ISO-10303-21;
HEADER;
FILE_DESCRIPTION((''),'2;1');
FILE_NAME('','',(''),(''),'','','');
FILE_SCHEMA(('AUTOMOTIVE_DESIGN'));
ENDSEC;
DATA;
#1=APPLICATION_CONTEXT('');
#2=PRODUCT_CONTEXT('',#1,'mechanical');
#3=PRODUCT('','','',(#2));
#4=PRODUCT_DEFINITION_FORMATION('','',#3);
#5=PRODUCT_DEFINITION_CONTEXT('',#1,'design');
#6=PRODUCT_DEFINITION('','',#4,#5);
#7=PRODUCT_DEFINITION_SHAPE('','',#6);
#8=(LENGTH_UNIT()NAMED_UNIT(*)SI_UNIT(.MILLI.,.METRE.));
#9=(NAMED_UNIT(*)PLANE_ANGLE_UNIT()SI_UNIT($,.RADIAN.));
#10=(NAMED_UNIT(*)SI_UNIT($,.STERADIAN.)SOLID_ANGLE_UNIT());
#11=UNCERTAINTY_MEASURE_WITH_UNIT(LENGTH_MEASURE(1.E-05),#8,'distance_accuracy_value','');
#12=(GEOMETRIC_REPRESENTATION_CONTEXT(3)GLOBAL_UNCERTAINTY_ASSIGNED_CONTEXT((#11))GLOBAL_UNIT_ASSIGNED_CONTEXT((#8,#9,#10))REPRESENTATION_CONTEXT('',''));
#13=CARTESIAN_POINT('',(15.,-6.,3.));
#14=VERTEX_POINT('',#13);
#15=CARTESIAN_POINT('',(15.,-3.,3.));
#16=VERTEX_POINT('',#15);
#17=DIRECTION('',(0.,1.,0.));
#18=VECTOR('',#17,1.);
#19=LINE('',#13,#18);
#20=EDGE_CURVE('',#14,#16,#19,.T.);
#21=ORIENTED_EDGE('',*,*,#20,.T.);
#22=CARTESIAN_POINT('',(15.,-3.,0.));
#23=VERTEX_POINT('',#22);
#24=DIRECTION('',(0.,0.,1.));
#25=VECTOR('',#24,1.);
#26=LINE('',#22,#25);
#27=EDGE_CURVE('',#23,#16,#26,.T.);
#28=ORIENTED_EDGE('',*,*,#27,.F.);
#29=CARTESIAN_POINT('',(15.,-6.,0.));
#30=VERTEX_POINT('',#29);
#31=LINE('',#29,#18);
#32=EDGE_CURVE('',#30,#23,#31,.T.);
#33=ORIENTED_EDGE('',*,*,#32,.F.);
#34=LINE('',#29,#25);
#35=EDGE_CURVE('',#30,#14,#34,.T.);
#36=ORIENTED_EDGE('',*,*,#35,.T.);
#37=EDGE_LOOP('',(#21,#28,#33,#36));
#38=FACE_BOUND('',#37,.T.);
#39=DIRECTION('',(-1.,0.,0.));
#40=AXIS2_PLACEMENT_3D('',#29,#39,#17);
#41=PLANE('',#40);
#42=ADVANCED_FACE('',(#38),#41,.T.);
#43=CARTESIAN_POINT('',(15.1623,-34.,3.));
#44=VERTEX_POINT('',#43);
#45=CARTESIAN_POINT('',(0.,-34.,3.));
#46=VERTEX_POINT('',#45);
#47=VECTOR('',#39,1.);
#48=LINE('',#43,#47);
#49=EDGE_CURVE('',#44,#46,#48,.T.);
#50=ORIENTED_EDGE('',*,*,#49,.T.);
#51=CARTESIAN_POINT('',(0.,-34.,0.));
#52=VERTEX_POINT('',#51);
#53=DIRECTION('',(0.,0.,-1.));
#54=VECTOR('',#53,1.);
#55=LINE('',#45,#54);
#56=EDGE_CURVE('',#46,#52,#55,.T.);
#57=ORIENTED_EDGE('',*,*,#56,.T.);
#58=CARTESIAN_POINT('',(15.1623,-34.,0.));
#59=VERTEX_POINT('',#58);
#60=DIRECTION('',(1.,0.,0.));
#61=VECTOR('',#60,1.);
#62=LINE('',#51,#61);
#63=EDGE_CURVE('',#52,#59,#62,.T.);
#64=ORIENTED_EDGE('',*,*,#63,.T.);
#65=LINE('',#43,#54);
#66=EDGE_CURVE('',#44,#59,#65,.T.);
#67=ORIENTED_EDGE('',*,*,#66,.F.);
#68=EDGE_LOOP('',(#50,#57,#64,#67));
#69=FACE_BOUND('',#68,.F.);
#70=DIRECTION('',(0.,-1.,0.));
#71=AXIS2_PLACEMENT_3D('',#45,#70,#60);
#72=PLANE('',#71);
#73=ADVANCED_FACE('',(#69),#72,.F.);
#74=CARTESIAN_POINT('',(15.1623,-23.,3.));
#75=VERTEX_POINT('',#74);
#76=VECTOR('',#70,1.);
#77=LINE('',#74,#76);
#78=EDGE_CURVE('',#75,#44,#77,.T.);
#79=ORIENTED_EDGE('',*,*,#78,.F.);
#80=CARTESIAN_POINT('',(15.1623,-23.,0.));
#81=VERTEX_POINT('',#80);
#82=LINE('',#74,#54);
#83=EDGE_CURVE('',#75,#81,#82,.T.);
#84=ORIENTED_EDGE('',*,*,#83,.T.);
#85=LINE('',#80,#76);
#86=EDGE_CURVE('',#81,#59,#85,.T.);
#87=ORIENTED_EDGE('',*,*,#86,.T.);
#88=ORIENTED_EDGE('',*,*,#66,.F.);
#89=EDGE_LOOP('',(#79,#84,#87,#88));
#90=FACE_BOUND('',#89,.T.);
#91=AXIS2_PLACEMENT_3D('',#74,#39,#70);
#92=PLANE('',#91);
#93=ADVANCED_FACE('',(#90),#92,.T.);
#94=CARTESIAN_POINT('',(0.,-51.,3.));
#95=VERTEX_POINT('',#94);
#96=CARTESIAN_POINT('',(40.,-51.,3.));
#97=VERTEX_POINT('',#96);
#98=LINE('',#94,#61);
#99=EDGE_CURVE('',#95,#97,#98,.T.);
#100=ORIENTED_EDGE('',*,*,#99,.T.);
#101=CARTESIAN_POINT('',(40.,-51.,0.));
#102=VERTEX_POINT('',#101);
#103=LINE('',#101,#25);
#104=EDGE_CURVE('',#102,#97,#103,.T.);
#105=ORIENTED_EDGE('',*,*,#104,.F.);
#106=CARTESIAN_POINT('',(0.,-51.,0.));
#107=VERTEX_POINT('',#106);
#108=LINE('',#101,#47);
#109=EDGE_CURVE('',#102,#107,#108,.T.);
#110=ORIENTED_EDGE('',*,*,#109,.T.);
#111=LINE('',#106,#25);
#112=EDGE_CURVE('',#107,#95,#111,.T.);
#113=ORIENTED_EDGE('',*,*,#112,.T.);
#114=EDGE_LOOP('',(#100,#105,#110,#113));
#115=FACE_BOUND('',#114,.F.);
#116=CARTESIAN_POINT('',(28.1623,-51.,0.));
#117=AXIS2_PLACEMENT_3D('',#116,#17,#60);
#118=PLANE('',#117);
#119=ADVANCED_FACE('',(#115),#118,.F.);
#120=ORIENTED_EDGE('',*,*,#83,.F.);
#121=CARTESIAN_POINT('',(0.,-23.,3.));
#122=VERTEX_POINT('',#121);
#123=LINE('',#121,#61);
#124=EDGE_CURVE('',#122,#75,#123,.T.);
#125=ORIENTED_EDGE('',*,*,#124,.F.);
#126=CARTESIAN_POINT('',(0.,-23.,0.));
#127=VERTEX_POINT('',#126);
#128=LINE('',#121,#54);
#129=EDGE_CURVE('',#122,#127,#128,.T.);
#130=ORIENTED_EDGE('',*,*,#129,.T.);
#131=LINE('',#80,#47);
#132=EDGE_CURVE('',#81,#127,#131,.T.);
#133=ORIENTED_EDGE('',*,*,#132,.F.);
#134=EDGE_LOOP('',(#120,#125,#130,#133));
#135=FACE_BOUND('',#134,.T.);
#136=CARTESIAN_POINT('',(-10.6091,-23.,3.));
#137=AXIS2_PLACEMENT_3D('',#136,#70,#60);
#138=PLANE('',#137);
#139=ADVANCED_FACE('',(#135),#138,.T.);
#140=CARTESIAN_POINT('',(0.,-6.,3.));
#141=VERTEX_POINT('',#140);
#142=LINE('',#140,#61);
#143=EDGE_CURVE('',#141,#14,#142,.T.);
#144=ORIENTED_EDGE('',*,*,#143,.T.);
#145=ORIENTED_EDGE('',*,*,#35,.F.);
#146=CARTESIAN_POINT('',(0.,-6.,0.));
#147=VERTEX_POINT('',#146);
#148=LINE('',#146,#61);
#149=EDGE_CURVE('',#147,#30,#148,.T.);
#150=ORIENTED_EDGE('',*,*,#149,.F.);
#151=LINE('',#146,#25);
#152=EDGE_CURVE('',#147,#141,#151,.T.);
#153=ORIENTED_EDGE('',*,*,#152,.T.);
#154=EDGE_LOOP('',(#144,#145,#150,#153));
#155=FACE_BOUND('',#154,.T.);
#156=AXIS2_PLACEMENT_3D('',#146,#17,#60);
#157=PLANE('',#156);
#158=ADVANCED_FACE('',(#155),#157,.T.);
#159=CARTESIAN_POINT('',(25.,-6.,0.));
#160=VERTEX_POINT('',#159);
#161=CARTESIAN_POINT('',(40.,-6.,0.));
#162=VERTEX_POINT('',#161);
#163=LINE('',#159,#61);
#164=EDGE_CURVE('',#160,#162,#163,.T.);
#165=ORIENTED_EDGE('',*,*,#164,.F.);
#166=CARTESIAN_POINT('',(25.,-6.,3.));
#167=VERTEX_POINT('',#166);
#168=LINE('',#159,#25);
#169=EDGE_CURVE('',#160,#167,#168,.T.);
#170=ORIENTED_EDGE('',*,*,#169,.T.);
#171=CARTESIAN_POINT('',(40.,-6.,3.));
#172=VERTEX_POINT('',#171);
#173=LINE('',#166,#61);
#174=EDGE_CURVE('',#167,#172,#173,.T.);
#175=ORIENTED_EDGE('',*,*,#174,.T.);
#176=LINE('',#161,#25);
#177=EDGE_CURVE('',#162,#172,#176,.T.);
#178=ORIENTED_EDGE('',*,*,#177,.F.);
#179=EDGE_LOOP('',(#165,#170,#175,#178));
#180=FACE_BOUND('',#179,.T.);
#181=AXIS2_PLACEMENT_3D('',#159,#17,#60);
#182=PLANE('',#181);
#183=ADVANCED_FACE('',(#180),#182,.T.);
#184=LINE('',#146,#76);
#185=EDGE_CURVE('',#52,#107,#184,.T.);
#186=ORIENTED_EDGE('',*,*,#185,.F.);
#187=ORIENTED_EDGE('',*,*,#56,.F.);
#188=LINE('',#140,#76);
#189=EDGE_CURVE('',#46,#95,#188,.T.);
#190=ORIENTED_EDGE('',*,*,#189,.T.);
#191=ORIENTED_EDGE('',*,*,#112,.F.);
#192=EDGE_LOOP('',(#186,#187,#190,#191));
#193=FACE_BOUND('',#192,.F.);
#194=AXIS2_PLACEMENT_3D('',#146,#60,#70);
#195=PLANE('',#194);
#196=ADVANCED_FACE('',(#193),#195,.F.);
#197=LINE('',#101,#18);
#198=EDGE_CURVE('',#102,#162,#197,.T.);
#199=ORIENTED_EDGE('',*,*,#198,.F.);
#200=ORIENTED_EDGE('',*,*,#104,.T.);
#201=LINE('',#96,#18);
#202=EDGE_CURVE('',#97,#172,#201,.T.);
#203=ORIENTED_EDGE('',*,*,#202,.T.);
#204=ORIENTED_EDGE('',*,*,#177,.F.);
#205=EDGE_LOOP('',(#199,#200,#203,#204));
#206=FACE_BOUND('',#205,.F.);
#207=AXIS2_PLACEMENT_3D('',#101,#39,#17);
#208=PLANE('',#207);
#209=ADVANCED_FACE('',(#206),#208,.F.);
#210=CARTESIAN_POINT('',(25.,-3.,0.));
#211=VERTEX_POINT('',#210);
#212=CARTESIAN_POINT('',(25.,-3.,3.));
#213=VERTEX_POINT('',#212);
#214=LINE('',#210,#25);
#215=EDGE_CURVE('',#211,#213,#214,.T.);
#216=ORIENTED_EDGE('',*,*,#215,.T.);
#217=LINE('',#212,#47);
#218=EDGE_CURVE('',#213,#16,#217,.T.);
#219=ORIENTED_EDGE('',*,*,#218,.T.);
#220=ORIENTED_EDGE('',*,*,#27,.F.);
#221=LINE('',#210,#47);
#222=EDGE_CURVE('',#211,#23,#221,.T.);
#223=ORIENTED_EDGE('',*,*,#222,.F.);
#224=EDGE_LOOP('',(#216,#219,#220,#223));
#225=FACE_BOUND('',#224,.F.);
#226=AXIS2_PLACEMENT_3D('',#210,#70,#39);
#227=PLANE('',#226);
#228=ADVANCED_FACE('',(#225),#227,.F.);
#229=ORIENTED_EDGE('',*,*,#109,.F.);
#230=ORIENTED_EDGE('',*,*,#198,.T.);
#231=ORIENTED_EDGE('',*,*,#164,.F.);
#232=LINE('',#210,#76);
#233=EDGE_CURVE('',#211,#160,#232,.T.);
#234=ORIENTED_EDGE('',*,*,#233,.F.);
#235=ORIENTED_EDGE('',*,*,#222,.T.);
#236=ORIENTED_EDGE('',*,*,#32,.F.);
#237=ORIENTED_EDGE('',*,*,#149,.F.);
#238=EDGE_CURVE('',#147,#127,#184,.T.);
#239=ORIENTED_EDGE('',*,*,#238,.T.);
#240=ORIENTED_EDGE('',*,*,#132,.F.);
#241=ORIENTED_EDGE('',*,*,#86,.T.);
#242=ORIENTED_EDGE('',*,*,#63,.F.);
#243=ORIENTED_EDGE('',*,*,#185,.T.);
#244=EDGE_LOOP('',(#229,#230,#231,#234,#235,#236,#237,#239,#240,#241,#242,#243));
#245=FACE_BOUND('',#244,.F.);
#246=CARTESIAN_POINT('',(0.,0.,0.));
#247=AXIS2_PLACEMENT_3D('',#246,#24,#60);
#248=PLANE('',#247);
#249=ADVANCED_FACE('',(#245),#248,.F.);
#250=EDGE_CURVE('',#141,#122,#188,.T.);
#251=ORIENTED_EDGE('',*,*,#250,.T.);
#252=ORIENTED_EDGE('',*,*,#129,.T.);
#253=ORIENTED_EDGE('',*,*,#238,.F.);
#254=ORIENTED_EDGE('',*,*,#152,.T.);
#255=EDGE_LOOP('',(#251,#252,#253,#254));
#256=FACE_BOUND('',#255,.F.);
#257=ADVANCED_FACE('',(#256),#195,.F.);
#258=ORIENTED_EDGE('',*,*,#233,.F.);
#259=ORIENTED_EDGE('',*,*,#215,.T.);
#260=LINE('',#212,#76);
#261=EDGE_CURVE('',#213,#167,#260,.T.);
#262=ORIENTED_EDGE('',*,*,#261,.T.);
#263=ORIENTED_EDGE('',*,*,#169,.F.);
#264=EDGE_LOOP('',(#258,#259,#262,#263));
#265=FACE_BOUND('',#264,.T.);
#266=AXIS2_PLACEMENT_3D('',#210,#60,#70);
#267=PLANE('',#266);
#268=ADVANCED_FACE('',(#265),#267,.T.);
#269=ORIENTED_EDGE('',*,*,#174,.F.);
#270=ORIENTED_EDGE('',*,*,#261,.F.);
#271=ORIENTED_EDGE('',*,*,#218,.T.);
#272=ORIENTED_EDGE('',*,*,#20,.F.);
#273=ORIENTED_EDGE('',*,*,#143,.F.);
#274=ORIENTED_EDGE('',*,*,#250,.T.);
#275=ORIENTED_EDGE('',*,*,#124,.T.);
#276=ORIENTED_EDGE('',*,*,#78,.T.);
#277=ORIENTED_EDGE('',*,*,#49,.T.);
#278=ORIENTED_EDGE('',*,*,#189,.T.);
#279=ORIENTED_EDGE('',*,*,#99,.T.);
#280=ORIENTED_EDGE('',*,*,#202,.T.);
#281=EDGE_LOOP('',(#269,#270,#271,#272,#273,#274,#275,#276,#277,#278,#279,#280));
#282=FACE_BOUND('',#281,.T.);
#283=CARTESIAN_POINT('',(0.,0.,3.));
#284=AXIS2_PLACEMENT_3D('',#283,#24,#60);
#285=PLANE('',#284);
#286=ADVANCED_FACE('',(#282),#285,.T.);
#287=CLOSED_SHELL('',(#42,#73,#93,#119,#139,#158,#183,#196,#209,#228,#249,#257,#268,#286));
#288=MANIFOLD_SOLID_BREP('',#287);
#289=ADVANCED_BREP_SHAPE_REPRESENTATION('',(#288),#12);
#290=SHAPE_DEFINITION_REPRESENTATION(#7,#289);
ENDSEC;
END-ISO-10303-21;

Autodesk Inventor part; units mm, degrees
ref_plane "YZ Plane" through (0, 0, 0) normal (1, 0, 0) x (0, 1, 0)
ref_plane "XZ Plane" through (0, 0, 0) normal (0, 1, 0) x (-1, 0, 0)
ref_plane "XY Plane" through (0, 0, 0) normal (0, 0, 1) x (1, 0, 0)
sketch "Boceto1" plane through (0, 0, 0) normal (0, 0, 1) x (1, 0, 0)
  line L0 (25, -3) -> (15, -3)
  line L1 (25, -3) -> (25, -6)
  line L2 (15, -6) -> (15, -3)
  line L3 (0, 0) -> (0, -3)
  line L4 (40, -6) -> (40, -3)
  line L5 (28.1623, -51) -> (8.1623, -51)
  line L6 (0, -6) -> (15, -6)
  line L7 (25, -6) -> (40, -6)
  line L8 (0, -6) -> (0, -51)
  line L9 (0, -51) -> (40, -51)
  line L10 (40, -51) -> (40, -6)
  line L11 (40, -6) -> (25, -6)
  line L12 (15, -6) -> (0, -6)
  point P0 (0, 0)
extrude "Extrusión1" add sketch "Boceto1" along normal blind 3
sketch "Boceto2" plane through (0, 0, 3) normal (0, 0, 1) x (1, 0, 0)
  line L0 (25, -6) -> (25, -3) projected
  line L1 (25, -3) -> (15, -3) projected
  line L2 (15, -3) -> (15, -6) projected
  line L3 (15, -6) -> (0, -6) projected
  line L4 (0, -6) -> (0, -51) projected
  line L5 (0, -51) -> (40, -51) projected
  line L6 (40, -51) -> (40, -6) projected
  line L7 (40, -6) -> (25, -6) projected
  line L8 (40, -51) -> (40, -6)
  line L9 (0, -51) -> (40, -51)
  line L10 (0, -6) -> (0, -51)
  line L11 (15, -6) -> (0, -6)
  line L12 (15, -3) -> (15, -6)
  line L13 (40, -6) -> (25, -6)
  line L14 (25, -6) -> (25, -3)
  line L15 (25, -3) -> (15, -3)
  line L16 (9.8382, -32) -> (1.6623, -32)
  line L17 (9.8382, -31) -> (1.6623, -31)
  line L18 (1.1623, 19) -> (1.1623, 20)
  line L19 (10.1623, -31) -> (10.1623, -32)
  line L20 (9.8382, -30) -> (1.6623, -30)
  line L21 (9.8382, -29) -> (1.6623, -29)
  line L22 (1.1623, 21) -> (1.1623, 22)
  line L23 (10.1623, -29) -> (10.1623, -30)
  line L24 (9.8382, -25) -> (1.6623, -25)
  line L25 (1.1623, 25) -> (1.1623, 26)
  line L26 (9.8382, -26) -> (9.8382, -25)
  line L27 (0, -34) -> (12.1623, -34)
  line L28 (12.1623, -34) -> (12.1623, -23)
  line L29 (12.1623, -23) -> (0, -23)
  line L30 (0, -23) -> (0, -34)
  point P0 (0, 0)
extrude "Extrusión2" cut sketch "Boceto2" against normal blind 3 contours L4 L29 L28 L27
sketch "Boceto3" plane through (0, 0, 3) normal (0, 0, 1) x (1, 0, 0)
  line L0 (12.1623, -34) -> (0, -34) projected
  line L1 (0, -34) -> (0, -51) projected
  line L2 (0, -51) -> (40, -51) projected
  line L3 (40, -51) -> (40, -6) projected
  line L4 (40, -6) -> (25, -6) projected
  line L5 (25, -6) -> (25, -3) projected
  line L6 (25, -3) -> (15, -3) projected
  line L7 (15, -3) -> (15, -6) projected
  line L8 (15, -6) -> (0, -6) projected
  line L9 (0, -6) -> (0, -23) projected
  line L10 (0, -23) -> (12.1623, -23) projected
  line L11 (12.1623, -23) -> (12.1623, -34) projected
  line L12 (12.1623, -34) -> (13.1623, -34)
  line L13 (13.1623, -34) -> (15.1623, -34)
  line L14 (15.1623, -34) -> (-10.6091, -34)
  line L15 (-10.6091, -34) -> (-10.6091, -23)
  line L16 (-10.6091, -23) -> (15.1623, -23)
  line L17 (15.1623, -23) -> (15.1623, -34)
  point P0 (0, 0)
  dimension "d4" = 1
  dimension "d5" = 2
extrude "Extrusión3" cut sketch "Boceto3" against normal blind 3 contours L0 L14 L15 L16 L10 L11 | L11 L16 L17 L13 L12
properties part number "acople 3" material "Madera (nogal)"
